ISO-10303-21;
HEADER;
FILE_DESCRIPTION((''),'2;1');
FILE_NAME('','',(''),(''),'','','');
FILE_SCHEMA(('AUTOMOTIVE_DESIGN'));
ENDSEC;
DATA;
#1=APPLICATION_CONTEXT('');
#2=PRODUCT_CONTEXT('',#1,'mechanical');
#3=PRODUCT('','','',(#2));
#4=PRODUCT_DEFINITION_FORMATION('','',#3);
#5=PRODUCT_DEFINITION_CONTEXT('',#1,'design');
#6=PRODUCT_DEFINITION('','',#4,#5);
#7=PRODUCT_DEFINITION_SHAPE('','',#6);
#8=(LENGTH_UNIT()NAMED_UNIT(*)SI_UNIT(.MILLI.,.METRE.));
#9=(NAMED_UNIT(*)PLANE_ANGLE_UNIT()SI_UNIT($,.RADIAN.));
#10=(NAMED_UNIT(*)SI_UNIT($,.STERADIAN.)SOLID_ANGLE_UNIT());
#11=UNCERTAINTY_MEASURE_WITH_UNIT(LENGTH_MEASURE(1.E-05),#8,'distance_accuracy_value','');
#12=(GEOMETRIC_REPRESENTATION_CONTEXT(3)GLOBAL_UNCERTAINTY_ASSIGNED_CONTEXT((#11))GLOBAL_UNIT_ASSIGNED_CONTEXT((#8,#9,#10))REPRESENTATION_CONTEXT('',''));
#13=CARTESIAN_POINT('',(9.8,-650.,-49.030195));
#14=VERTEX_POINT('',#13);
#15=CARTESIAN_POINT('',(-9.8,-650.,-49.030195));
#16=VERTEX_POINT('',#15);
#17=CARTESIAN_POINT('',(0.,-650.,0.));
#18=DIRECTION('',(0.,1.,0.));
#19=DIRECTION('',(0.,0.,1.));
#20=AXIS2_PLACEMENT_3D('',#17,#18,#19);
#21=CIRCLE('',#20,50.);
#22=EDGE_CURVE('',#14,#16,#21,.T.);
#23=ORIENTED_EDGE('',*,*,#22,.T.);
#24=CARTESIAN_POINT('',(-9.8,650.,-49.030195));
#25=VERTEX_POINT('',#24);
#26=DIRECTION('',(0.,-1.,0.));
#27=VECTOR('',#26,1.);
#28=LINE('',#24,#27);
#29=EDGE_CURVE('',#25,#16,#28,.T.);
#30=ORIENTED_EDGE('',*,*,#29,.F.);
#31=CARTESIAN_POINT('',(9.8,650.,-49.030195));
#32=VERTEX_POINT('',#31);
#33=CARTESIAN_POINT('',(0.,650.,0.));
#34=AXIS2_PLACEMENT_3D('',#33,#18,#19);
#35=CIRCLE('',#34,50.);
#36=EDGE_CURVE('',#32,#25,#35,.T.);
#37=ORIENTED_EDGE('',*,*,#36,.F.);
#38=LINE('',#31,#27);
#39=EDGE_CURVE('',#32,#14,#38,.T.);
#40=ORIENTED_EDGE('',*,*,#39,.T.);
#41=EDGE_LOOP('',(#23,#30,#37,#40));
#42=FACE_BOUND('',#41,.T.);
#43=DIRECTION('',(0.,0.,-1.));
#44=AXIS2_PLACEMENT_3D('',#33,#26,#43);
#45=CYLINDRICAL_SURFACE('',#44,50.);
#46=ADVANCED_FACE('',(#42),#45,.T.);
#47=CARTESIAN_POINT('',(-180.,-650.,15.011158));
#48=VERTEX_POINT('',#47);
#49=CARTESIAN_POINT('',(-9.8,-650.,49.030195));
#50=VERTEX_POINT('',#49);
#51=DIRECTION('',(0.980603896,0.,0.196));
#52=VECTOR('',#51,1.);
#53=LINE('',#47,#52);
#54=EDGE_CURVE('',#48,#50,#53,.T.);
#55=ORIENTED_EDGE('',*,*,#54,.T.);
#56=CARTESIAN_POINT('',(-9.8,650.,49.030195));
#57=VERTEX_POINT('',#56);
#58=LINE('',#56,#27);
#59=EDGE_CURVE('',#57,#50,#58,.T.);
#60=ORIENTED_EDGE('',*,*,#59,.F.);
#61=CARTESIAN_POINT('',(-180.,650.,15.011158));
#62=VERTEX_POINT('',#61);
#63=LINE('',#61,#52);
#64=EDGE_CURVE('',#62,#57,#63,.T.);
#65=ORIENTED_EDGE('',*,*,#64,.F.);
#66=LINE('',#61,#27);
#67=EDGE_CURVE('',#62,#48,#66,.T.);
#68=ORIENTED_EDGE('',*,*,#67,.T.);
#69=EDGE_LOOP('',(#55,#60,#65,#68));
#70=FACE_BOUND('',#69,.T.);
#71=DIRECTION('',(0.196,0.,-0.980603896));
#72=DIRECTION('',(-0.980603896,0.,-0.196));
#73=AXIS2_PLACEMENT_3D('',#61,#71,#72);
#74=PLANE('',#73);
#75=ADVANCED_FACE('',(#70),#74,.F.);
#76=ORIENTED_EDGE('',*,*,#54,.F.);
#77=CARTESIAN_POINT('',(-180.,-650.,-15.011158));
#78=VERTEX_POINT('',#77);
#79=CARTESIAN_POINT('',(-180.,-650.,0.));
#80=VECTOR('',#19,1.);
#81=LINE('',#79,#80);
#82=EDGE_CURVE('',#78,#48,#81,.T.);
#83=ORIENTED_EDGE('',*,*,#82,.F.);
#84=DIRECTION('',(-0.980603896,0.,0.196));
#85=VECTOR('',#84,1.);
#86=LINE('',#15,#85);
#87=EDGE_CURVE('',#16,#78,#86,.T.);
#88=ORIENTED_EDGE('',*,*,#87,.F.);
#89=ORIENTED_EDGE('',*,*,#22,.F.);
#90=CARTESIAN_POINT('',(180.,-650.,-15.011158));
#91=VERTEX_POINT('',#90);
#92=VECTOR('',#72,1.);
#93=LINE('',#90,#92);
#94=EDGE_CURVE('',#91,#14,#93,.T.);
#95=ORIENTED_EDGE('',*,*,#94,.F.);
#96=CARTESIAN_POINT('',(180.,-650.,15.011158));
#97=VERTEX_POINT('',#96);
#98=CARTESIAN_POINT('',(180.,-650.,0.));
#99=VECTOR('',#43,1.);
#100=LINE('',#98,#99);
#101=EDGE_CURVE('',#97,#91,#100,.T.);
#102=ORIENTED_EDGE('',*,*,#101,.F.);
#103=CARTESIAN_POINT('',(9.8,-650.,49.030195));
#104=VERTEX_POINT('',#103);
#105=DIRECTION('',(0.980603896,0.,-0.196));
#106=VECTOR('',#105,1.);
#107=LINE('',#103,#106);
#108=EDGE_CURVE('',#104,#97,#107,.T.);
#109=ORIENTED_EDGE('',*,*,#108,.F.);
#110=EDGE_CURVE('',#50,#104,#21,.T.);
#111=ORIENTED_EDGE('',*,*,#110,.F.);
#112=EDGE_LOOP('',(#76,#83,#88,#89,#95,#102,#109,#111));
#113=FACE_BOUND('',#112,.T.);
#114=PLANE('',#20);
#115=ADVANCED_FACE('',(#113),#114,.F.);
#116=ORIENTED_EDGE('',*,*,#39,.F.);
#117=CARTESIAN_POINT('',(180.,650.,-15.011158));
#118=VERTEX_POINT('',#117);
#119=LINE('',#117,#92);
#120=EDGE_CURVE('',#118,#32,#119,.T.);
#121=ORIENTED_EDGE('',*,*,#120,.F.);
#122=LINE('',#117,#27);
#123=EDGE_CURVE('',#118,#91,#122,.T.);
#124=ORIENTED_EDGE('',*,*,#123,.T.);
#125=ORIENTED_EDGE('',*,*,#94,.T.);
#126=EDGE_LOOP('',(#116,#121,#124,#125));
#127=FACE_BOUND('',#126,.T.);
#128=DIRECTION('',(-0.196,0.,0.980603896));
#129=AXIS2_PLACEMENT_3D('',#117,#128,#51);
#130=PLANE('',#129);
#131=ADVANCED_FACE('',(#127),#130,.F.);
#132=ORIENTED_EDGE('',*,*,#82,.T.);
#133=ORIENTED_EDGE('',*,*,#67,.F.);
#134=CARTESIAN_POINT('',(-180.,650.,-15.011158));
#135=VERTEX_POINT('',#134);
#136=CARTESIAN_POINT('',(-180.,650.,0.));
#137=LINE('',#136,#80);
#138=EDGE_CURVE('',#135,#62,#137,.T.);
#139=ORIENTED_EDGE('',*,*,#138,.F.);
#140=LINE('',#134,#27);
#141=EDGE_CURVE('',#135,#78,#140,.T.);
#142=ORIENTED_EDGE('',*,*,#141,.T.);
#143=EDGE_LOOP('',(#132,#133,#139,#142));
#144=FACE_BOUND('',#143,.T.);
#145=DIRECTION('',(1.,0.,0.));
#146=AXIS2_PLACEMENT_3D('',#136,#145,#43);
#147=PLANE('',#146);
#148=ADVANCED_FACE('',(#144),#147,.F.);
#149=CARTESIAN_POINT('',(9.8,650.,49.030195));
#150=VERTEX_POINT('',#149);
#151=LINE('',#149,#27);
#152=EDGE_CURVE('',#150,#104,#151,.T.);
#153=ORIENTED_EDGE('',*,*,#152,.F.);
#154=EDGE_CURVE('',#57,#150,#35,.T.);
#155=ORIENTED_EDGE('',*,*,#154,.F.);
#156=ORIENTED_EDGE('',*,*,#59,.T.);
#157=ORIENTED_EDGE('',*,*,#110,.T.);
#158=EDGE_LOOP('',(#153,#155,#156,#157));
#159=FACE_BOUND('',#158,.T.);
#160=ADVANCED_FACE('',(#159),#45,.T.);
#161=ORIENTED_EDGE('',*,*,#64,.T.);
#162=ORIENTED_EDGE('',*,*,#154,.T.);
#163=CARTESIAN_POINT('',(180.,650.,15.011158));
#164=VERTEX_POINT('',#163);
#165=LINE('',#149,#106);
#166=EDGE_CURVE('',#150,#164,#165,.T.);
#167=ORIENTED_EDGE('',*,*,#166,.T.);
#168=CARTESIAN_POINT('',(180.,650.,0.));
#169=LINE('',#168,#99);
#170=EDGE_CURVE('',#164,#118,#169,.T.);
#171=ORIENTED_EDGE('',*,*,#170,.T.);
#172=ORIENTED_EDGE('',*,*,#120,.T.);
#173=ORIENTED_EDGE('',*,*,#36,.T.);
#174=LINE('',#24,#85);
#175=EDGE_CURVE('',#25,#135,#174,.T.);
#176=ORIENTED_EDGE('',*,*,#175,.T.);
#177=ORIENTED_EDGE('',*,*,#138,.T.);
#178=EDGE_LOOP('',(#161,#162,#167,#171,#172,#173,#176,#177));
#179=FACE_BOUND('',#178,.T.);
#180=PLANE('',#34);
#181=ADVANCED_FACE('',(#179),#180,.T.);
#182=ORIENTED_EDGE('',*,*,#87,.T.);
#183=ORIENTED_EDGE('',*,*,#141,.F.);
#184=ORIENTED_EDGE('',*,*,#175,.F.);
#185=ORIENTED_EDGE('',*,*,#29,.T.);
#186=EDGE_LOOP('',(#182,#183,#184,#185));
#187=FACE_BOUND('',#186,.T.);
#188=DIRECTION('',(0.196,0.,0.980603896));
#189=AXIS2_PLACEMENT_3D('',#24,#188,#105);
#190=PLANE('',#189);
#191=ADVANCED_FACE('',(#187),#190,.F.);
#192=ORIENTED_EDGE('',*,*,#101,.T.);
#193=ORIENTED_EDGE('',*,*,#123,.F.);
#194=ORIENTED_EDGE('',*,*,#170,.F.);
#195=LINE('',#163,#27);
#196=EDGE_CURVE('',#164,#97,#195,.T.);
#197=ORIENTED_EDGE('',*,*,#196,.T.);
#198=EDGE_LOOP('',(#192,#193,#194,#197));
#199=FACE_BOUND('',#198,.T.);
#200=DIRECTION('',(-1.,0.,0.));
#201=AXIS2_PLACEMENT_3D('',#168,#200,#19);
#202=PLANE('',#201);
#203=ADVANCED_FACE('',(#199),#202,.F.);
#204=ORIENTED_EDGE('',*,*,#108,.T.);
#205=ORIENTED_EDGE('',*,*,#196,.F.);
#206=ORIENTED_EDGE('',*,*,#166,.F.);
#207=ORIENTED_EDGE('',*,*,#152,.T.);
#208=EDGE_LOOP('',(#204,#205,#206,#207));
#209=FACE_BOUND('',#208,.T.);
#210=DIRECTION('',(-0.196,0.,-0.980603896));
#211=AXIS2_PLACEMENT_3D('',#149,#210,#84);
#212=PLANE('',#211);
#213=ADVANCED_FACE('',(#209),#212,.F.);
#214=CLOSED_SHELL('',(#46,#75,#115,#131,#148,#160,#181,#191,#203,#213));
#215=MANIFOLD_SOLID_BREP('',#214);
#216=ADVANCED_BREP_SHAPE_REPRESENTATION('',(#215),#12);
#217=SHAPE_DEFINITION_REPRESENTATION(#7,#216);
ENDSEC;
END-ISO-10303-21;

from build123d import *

# Parameters (mm, degrees)
EXTRUDE_1_DEPTH = 650


with BuildPart() as part:
    # 草图5 → 凸台-拉伸1 (new body, symmetric)
    with BuildSketch(Plane(origin=(0, 0, 0), x_dir=(1, 0, 0), z_dir=(0, 1, 0))):
        with BuildLine():
            Line((180, 0), (180, -15.011157988))
            Line((180, -15.011157988), (9.8, -49.030194778))
            ThreePointArc((9.8, -49.030194778), (0, -50), (-9.8, -49.030194778))
            Line((-9.8, -49.030194778), (-180, -15.011157988))
            Line((-180, -15.011157988), (-180, 0))
            Line((-180, 0), (-180, 15.011157988))
            Line((-180, 15.011157988), (-9.799999967, 49.030194785))
            ThreePointArc((-9.799999967, 49.030194785), (1.7e-08, 50), (9.8, 49.030194778))
            Line((9.8, 49.030194778), (180, 15.011157988))
            Line((180, 15.011157988), (180, 0))
        make_face()
    extrude(amount=EXTRUDE_1_DEPTH, both=True)


solid = part.part
